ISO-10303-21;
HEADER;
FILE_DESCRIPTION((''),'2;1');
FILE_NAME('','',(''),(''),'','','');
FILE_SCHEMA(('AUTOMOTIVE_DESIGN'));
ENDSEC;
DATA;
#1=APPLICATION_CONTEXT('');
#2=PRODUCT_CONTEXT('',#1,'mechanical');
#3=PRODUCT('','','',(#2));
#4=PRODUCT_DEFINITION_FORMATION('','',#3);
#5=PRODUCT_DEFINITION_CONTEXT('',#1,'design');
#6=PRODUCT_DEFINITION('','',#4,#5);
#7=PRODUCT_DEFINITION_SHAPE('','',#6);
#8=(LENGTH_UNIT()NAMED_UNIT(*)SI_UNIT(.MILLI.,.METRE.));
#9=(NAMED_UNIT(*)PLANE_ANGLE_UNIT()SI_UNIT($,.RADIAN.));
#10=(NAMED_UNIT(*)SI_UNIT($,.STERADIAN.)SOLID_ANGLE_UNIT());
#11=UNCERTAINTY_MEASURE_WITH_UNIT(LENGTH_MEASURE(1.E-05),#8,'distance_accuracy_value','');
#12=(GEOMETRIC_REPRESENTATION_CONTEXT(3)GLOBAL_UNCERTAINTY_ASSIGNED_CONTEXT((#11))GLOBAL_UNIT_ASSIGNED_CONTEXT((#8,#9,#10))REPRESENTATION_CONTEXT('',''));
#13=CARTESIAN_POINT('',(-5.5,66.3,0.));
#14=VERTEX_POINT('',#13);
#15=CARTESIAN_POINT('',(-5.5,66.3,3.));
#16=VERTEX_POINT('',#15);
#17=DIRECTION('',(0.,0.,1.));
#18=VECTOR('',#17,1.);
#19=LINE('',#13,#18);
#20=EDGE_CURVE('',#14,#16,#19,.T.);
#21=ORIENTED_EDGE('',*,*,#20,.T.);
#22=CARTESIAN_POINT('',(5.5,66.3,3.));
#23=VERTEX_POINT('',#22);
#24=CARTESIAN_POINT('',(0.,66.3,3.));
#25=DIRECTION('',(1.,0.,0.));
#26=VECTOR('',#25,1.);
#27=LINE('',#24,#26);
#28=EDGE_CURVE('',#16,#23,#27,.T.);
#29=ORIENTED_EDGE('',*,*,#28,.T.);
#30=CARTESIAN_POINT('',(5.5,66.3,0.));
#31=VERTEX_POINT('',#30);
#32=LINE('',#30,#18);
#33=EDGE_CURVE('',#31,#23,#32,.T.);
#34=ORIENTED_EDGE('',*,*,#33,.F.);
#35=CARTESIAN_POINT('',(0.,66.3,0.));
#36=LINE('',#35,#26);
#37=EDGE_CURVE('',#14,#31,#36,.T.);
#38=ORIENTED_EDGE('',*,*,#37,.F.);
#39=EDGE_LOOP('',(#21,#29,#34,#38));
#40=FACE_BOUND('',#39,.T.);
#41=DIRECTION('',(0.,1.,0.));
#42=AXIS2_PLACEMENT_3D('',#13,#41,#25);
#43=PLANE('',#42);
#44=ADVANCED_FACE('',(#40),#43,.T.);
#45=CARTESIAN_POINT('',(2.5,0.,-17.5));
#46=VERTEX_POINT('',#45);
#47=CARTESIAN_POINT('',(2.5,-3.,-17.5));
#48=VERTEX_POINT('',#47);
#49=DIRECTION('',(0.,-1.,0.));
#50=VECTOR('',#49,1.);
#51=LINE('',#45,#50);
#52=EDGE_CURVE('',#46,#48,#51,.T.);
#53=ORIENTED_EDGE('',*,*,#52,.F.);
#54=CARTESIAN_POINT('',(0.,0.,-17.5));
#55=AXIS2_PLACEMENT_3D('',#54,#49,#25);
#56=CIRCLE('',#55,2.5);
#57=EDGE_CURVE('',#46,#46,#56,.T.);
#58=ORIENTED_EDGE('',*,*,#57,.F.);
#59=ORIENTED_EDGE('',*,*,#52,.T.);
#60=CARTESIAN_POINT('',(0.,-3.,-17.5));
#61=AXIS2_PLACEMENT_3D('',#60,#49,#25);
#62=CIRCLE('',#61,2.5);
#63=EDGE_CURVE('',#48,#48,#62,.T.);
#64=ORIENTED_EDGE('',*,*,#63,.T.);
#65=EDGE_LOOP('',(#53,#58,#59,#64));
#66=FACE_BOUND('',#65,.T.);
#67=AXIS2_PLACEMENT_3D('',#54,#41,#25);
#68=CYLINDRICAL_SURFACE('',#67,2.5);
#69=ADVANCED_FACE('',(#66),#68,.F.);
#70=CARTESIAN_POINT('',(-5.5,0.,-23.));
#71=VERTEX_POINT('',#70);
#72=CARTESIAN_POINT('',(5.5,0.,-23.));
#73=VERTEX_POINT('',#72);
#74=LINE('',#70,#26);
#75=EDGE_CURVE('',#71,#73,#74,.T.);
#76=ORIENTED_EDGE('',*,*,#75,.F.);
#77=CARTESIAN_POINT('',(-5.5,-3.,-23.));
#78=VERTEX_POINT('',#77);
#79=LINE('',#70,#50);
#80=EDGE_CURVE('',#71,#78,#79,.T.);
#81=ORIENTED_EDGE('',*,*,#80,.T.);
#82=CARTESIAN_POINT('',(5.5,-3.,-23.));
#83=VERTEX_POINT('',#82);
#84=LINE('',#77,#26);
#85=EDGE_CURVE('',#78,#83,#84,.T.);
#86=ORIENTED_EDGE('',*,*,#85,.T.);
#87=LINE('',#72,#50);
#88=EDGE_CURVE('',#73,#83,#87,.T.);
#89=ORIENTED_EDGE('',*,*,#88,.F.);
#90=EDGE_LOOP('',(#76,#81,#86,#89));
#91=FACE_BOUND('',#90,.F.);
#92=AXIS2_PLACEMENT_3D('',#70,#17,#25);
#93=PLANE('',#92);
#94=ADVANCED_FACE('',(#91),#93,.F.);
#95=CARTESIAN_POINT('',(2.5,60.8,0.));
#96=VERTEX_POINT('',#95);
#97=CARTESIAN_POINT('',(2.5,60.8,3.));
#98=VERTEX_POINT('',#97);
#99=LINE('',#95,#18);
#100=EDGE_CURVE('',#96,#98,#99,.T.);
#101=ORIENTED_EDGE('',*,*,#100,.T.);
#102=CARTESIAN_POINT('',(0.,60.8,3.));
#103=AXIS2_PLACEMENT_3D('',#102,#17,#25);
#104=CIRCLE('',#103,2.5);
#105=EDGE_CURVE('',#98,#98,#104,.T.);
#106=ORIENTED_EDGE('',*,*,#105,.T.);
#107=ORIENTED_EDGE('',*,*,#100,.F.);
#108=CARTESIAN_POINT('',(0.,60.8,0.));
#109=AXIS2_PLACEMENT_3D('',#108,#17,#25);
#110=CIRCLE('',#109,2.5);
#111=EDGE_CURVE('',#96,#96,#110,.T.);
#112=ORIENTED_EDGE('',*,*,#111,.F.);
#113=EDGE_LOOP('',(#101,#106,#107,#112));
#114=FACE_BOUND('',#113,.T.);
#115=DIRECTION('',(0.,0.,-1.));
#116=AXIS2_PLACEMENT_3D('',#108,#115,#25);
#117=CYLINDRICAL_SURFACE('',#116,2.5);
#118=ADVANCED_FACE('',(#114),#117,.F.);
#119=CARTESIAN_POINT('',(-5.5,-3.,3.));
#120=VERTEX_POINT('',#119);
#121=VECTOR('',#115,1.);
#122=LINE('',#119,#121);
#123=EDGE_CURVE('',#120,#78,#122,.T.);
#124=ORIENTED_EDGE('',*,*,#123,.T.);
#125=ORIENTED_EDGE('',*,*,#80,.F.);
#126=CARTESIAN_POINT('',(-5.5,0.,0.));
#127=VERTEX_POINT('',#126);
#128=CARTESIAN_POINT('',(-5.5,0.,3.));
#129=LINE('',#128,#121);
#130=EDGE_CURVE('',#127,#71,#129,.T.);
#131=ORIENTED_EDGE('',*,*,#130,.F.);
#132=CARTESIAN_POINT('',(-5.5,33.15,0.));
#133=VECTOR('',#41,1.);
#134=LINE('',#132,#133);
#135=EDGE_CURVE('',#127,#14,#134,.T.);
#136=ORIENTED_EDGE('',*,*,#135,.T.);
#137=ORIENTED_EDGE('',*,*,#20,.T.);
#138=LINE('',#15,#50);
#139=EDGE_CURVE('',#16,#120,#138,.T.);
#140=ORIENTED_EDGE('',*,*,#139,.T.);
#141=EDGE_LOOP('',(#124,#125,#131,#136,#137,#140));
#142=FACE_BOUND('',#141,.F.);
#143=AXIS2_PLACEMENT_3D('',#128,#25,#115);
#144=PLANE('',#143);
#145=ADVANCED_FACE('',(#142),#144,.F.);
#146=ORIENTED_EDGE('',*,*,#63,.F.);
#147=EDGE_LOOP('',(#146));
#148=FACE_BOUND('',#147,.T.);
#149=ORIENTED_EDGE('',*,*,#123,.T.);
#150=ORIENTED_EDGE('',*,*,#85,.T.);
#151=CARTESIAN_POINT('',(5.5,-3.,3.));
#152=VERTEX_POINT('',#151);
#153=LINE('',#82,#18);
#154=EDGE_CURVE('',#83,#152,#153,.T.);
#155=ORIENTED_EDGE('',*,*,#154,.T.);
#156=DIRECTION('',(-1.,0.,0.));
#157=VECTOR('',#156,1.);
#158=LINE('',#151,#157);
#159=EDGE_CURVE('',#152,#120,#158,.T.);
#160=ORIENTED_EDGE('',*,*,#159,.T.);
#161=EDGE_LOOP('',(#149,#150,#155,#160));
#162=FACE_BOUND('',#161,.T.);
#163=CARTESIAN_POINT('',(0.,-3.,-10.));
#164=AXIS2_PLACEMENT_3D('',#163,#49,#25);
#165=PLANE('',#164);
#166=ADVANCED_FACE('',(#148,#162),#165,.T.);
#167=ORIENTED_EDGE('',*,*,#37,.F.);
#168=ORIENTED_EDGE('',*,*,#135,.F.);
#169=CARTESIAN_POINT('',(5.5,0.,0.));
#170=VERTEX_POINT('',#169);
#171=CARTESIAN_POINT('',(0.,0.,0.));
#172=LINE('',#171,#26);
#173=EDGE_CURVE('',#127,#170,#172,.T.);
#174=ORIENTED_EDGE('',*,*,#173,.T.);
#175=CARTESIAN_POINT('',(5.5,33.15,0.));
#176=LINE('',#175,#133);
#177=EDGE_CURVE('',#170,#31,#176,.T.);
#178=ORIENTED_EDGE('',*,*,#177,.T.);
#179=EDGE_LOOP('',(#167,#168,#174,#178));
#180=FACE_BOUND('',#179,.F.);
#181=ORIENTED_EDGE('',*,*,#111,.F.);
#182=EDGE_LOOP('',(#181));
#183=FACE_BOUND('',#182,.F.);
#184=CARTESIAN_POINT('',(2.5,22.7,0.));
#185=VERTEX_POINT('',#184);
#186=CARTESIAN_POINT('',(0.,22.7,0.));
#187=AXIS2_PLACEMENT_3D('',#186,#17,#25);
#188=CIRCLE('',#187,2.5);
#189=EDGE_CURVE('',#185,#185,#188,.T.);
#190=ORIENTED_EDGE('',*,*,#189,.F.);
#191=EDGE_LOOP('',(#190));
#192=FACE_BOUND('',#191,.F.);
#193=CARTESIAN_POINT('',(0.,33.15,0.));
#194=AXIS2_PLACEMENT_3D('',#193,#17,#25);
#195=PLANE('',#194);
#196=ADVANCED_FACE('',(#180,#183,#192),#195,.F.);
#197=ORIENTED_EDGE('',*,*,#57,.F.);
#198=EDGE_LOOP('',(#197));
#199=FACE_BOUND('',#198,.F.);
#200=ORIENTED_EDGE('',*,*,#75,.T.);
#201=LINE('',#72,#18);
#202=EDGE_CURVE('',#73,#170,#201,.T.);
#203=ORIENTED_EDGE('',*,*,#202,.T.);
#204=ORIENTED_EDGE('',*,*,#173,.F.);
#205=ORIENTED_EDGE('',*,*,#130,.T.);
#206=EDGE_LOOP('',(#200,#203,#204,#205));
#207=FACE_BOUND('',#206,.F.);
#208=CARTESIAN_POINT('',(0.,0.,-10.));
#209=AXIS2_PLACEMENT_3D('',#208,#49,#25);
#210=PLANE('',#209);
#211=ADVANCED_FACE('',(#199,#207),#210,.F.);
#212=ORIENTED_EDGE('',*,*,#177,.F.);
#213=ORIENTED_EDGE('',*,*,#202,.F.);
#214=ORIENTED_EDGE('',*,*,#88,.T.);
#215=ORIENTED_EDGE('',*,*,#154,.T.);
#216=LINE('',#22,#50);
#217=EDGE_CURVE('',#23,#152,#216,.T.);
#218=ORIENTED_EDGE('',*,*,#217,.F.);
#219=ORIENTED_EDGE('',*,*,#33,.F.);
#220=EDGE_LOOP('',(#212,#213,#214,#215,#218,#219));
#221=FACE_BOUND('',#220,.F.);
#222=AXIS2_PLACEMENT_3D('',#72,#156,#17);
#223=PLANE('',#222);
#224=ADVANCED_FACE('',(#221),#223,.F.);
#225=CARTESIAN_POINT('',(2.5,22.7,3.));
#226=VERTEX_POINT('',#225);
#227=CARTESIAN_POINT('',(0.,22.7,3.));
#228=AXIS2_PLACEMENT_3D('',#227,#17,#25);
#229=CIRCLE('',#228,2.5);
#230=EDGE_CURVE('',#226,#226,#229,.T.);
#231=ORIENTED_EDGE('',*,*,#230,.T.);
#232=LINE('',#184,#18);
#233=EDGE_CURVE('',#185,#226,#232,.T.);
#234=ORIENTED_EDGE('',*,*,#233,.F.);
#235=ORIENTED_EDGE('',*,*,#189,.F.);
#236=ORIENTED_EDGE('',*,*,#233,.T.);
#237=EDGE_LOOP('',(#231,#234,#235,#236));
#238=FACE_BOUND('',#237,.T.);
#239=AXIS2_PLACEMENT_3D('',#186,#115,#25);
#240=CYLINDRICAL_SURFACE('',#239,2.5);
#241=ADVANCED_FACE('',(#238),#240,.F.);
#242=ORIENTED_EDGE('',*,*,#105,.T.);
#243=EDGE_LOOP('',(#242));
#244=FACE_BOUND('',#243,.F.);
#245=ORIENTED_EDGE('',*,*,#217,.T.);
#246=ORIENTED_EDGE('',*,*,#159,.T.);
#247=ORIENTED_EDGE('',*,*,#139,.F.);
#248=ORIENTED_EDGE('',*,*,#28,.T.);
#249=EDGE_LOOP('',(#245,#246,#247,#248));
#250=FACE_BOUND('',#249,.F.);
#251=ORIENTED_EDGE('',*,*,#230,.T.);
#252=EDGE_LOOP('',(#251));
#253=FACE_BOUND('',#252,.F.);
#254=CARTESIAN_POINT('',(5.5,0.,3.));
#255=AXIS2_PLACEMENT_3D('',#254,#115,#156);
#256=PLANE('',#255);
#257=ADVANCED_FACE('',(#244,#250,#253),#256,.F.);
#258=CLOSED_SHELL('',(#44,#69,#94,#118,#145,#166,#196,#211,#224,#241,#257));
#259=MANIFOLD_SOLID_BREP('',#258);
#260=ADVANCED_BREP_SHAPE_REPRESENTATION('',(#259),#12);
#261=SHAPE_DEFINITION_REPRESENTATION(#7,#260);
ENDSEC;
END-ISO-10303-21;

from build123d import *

# Parameters (mm, degrees)
F1_W     = 11
F1_H     = 66.3
F1_R     = 2.5
F2_DEPTH = 3
F3_R     = 2.5
F4_DEPTH = 3


with BuildPart() as f2:
    # F1 (on Top) → F2 (new body)
    with BuildSketch(Plane.XY):
        with Locations((0, 33.15)):
            Rectangle(F1_W, F1_H)
        with Locations((0, 22.7)):
            Circle(F1_R, mode=Mode.SUBTRACT)
        with Locations((0, 60.8)):
            Circle(F1_R, mode=Mode.SUBTRACT)
    extrude(amount=F2_DEPTH)

    # F3 (on Front) → F4 (join)
    with BuildSketch(Plane.XZ):
        Polygon((5.5, -23), (5.5, 0), (5.5, 3), (-5.5, 3), (-5.5, 0), (-5.5, -23), align=None)
        with Locations((0, -17.5)):
            Circle(F3_R, mode=Mode.SUBTRACT)
    extrude(amount=F4_DEPTH)


solid = f2.part
